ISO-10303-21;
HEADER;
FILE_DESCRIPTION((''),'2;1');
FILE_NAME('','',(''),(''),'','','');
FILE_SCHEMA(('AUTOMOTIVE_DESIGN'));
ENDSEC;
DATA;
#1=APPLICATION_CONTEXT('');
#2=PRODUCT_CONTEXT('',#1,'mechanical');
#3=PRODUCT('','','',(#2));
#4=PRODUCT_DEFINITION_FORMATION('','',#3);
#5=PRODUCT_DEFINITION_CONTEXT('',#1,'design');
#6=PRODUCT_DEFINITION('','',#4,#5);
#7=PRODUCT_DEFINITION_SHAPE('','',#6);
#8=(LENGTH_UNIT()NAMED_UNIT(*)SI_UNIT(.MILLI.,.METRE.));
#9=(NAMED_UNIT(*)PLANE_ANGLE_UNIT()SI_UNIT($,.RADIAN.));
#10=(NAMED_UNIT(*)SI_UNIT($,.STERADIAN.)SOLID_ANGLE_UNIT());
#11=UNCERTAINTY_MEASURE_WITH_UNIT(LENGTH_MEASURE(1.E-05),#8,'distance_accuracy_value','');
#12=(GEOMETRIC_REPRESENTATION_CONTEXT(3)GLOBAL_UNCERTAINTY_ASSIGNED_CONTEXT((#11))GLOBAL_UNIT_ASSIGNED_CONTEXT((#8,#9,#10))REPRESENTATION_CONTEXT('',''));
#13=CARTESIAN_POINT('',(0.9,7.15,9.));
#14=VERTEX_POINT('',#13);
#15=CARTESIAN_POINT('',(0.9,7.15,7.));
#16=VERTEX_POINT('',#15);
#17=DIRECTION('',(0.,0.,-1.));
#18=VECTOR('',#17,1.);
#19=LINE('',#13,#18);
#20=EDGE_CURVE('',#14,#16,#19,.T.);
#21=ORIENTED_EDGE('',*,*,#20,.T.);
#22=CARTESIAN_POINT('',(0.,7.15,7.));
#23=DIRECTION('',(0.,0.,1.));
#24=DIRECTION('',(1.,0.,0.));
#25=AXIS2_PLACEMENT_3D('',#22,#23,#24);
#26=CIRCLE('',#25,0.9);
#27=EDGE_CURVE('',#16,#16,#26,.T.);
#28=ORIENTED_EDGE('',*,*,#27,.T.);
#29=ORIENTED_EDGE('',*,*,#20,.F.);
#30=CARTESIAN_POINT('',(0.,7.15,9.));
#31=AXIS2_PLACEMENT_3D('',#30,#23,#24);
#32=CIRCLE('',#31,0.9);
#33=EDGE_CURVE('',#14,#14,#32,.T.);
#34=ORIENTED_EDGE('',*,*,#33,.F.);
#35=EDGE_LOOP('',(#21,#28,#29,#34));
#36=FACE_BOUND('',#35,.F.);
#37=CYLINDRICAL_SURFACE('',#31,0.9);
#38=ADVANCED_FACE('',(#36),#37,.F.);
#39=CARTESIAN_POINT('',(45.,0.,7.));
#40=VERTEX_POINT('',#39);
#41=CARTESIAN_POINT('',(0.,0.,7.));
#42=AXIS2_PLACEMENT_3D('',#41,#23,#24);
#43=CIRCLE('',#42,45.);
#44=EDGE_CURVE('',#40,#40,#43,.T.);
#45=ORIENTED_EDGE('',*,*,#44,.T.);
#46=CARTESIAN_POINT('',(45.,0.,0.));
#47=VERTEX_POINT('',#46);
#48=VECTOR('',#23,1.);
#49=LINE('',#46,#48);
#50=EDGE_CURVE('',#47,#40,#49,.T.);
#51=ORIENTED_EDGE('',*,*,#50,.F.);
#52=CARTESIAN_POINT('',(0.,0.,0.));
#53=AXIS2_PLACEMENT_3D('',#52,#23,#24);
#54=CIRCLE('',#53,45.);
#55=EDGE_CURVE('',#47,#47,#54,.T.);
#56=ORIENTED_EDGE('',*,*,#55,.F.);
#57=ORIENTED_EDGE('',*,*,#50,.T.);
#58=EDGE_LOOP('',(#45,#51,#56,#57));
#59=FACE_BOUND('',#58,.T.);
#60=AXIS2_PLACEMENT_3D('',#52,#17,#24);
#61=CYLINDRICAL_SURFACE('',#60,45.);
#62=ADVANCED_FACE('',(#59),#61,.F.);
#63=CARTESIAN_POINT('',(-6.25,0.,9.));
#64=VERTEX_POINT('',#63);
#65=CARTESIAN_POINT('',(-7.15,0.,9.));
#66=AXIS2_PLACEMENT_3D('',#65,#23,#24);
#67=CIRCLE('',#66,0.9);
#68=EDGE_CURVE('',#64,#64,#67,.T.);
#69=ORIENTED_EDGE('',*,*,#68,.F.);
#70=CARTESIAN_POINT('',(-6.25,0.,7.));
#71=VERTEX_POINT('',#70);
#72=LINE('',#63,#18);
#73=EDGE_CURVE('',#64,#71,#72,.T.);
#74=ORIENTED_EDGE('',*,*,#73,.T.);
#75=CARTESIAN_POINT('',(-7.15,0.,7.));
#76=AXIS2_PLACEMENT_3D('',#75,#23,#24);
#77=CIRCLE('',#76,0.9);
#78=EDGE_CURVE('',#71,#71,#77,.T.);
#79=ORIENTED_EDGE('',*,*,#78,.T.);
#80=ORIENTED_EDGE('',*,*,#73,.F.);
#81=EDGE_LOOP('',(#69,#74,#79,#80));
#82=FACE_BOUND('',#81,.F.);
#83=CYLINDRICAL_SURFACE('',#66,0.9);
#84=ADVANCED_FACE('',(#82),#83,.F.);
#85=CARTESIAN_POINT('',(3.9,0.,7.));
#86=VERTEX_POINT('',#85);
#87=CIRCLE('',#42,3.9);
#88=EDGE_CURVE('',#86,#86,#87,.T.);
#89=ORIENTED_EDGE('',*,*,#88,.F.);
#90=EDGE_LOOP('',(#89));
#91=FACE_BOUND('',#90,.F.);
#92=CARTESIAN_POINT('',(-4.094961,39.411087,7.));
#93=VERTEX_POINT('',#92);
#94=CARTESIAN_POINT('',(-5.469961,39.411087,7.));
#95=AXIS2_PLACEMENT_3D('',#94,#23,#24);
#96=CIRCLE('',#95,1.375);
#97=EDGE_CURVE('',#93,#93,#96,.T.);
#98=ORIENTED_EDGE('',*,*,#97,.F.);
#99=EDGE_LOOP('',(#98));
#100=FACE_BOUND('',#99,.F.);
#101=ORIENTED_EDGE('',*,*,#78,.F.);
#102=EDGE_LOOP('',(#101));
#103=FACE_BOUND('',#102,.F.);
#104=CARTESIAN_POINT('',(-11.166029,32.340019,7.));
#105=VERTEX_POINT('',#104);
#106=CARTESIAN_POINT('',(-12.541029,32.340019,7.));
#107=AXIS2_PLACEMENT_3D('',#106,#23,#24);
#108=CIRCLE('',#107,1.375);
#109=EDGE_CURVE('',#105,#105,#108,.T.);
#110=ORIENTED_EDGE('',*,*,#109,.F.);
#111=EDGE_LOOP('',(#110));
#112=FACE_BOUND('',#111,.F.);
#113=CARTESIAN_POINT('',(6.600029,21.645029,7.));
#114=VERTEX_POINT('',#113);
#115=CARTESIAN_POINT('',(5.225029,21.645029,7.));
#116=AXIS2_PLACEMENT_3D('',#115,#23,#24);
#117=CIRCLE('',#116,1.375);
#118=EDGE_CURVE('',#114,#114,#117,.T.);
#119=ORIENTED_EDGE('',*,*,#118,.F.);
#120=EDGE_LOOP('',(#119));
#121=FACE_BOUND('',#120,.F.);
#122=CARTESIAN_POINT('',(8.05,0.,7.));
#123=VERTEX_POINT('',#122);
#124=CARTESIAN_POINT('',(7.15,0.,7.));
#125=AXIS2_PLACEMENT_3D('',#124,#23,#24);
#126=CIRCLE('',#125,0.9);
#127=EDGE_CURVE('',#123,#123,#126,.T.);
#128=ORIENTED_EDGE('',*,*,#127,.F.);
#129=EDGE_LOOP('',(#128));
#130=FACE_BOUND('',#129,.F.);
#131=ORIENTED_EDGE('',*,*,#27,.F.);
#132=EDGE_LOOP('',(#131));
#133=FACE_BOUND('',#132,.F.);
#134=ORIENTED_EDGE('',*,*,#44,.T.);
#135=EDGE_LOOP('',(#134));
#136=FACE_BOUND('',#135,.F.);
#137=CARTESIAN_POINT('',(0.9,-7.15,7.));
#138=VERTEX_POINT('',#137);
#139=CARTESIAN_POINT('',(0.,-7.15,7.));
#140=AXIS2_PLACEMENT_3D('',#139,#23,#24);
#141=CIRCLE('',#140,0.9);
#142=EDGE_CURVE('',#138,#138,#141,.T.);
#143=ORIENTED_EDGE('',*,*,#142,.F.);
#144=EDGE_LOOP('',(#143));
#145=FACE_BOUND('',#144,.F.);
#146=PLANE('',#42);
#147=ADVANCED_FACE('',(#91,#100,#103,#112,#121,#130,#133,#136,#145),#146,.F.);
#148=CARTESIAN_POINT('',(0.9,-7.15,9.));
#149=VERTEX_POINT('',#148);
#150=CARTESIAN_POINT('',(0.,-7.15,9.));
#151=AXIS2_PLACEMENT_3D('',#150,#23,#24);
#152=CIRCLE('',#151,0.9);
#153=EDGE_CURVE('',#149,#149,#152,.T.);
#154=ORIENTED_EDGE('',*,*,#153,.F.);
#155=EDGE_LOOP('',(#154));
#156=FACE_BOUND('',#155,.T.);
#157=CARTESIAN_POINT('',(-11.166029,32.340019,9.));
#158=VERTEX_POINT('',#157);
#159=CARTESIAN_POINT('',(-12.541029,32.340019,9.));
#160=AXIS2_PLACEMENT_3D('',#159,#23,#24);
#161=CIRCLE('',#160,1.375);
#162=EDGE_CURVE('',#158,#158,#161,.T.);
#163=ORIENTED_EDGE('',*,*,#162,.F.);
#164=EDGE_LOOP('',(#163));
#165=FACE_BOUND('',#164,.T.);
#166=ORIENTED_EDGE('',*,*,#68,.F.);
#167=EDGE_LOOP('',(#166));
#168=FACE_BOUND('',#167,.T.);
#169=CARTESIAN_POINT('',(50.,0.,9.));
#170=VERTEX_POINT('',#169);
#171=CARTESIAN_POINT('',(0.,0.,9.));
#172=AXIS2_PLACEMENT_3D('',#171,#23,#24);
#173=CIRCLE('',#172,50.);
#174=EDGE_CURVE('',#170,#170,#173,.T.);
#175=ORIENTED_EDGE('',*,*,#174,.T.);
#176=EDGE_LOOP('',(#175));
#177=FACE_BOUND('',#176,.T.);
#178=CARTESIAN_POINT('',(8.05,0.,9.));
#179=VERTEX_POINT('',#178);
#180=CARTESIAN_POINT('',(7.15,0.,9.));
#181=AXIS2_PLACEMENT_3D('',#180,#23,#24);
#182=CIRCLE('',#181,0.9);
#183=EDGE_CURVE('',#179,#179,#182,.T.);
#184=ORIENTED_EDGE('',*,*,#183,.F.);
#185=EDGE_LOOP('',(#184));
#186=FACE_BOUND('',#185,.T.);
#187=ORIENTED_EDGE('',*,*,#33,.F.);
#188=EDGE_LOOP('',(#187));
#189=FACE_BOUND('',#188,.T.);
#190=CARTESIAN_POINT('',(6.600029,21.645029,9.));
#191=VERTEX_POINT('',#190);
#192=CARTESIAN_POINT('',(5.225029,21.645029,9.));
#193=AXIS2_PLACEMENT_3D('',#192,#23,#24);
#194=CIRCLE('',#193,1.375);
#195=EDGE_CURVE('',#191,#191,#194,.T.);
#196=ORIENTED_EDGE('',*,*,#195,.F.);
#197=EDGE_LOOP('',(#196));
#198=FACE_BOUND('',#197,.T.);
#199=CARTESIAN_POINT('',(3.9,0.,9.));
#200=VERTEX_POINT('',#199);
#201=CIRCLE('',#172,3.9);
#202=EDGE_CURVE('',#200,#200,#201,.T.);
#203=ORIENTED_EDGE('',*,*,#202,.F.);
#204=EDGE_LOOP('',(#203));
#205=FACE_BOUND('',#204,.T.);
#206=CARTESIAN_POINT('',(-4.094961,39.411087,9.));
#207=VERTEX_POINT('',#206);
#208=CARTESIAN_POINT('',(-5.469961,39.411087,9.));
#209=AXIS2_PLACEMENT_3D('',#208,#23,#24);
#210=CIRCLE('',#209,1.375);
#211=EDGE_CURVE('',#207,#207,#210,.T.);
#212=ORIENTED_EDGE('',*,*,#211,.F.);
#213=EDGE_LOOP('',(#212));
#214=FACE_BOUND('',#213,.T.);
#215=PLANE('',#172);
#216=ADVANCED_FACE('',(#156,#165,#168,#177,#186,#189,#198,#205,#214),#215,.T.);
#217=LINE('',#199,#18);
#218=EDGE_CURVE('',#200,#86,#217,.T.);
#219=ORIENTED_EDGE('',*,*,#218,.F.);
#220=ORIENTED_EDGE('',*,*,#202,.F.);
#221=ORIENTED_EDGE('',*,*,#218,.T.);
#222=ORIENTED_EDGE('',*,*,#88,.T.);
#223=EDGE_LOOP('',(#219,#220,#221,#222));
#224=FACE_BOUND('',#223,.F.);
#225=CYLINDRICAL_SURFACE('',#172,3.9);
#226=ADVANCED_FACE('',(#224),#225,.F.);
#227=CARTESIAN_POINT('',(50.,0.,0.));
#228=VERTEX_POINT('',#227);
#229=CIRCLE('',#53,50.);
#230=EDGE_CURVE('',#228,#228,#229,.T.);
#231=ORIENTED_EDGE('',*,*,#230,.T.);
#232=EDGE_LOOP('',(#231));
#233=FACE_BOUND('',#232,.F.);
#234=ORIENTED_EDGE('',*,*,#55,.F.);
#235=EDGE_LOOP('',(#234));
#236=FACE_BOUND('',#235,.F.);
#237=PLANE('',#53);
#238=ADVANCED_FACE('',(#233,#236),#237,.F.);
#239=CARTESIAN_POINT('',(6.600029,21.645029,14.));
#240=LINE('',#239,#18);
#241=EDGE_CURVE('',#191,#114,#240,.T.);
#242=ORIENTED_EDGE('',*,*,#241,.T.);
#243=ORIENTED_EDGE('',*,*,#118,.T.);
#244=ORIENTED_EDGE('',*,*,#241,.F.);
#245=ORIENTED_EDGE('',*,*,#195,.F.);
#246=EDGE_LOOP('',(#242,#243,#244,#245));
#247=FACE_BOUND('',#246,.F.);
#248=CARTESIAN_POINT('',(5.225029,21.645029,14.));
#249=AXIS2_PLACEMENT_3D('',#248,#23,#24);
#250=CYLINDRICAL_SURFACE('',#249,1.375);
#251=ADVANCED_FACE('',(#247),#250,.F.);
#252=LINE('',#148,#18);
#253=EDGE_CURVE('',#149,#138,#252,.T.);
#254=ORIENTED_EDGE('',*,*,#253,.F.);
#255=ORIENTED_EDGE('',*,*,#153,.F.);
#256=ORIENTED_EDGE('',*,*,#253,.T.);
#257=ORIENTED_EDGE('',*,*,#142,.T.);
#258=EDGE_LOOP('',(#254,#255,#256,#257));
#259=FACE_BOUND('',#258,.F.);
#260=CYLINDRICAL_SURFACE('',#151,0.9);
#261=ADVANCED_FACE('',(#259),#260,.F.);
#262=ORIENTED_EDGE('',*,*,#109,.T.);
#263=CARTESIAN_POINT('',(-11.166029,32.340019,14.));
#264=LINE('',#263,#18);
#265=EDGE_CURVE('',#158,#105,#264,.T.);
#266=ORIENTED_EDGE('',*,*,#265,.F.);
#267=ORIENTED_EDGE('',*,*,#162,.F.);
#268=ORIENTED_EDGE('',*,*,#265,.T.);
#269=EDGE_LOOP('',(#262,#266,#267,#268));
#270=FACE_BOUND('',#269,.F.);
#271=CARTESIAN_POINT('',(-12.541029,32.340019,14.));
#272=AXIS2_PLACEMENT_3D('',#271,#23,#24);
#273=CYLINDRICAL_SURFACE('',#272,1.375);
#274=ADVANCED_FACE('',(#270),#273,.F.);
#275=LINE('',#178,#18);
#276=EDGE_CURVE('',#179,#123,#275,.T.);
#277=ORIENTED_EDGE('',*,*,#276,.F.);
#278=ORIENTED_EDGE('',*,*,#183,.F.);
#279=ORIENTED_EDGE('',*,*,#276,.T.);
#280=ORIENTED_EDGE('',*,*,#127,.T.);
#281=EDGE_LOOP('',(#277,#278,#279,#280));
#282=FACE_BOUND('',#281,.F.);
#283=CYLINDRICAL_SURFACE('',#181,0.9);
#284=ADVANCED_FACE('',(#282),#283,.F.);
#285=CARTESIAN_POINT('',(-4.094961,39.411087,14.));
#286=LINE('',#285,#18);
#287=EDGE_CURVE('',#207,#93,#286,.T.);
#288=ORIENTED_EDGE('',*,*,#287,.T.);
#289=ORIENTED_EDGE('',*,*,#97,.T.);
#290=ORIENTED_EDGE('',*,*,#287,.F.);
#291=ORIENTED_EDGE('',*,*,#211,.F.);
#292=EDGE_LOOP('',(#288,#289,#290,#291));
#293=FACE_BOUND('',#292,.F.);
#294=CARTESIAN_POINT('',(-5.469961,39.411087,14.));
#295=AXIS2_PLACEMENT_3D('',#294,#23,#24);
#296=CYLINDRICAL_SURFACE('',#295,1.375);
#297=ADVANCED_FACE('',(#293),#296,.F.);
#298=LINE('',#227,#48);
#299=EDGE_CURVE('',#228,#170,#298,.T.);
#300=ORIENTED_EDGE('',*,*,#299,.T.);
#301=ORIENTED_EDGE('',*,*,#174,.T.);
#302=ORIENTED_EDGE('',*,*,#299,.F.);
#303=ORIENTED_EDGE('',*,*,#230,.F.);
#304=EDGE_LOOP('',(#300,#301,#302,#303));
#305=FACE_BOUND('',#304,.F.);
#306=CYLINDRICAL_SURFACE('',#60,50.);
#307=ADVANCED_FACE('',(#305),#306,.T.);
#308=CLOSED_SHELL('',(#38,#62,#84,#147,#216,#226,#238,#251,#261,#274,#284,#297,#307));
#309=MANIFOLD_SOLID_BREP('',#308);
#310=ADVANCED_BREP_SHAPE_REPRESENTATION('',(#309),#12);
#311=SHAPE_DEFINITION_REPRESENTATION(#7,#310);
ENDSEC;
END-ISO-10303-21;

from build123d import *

# Parameters (mm, degrees)
SKETCH003_R       = 1.375
EXTRUDE004_DEPTH  = 10
SKETCH001_R       = 0.9
EXTRUDE_DEPTH     = 2
SKETCH_R          = 3.9
EXTRUDE001_DEPTH  = 2
CYLINDER001_R     = 45
CYLINDER001_DEPTH = 7
CYLINDER_R        = 50
CYLINDER_DEPTH    = 9


with BuildPart() as extrude004:
    # Sketch003 (on Face6 of Extrude002) → Extrude004 (new body)
    with BuildSketch(Plane.XY.offset(14)):
        with Locations((-12.541029, 32.340019)):
            Circle(SKETCH003_R)
        with Locations((-5.469961, 39.411087)):
            Circle(SKETCH003_R)
        with Locations((5.225029, 21.645029)):
            Circle(SKETCH003_R)
    extrude(amount=-EXTRUDE004_DEPTH)


with BuildPart() as screwholes_middle_outer:
    # Sketch001 (on Face3 of Cut001) → Extrude (new body)
    with BuildSketch(Plane.XY.offset(9)):
        with Locations((0, 7.15)):
            Circle(SKETCH001_R)
        with Locations((-7.15, 0)):
            Circle(SKETCH001_R)
        with Locations((0, -7.15)):
            Circle(SKETCH001_R)
        with Locations((7.15, 0)):
            Circle(SKETCH001_R)
    extrude(amount=-EXTRUDE_DEPTH)


with BuildPart() as screwholes_middle_inner:
    # Sketch (on Face3 of Cut) → Extrude001 (new body)
    with BuildSketch(Plane.XY.offset(9)):
        Circle(SKETCH_R)
    extrude(amount=-EXTRUDE001_DEPTH)


with BuildPart() as cylinder001:
    # Cylinder001 → Cylinder001 (new body)
    with BuildSketch(Plane.XY):
        Circle(CYLINDER001_R)
    extrude(amount=CYLINDER001_DEPTH)


with BuildPart() as platform_shoulder_screws:
    # Cylinder → Cylinder (new body)
    with BuildSketch(Plane.XY):
        Circle(CYLINDER_R)
    extrude(amount=CYLINDER_DEPTH)

    # Cut: cut Cylinder001
    add(cylinder001.part, mode=Mode.SUBTRACT)

    # Cut001: cut Screwholes-middle-inner
    add(screwholes_middle_inner.part, mode=Mode.SUBTRACT)

    # Cut002: cut Screwholes-middle-outer
    add(screwholes_middle_outer.part, mode=Mode.SUBTRACT)

    # Cut003: cut Extrude004
    add(extrude004.part, mode=Mode.SUBTRACT)


solid = platform_shoulder_screws.part
